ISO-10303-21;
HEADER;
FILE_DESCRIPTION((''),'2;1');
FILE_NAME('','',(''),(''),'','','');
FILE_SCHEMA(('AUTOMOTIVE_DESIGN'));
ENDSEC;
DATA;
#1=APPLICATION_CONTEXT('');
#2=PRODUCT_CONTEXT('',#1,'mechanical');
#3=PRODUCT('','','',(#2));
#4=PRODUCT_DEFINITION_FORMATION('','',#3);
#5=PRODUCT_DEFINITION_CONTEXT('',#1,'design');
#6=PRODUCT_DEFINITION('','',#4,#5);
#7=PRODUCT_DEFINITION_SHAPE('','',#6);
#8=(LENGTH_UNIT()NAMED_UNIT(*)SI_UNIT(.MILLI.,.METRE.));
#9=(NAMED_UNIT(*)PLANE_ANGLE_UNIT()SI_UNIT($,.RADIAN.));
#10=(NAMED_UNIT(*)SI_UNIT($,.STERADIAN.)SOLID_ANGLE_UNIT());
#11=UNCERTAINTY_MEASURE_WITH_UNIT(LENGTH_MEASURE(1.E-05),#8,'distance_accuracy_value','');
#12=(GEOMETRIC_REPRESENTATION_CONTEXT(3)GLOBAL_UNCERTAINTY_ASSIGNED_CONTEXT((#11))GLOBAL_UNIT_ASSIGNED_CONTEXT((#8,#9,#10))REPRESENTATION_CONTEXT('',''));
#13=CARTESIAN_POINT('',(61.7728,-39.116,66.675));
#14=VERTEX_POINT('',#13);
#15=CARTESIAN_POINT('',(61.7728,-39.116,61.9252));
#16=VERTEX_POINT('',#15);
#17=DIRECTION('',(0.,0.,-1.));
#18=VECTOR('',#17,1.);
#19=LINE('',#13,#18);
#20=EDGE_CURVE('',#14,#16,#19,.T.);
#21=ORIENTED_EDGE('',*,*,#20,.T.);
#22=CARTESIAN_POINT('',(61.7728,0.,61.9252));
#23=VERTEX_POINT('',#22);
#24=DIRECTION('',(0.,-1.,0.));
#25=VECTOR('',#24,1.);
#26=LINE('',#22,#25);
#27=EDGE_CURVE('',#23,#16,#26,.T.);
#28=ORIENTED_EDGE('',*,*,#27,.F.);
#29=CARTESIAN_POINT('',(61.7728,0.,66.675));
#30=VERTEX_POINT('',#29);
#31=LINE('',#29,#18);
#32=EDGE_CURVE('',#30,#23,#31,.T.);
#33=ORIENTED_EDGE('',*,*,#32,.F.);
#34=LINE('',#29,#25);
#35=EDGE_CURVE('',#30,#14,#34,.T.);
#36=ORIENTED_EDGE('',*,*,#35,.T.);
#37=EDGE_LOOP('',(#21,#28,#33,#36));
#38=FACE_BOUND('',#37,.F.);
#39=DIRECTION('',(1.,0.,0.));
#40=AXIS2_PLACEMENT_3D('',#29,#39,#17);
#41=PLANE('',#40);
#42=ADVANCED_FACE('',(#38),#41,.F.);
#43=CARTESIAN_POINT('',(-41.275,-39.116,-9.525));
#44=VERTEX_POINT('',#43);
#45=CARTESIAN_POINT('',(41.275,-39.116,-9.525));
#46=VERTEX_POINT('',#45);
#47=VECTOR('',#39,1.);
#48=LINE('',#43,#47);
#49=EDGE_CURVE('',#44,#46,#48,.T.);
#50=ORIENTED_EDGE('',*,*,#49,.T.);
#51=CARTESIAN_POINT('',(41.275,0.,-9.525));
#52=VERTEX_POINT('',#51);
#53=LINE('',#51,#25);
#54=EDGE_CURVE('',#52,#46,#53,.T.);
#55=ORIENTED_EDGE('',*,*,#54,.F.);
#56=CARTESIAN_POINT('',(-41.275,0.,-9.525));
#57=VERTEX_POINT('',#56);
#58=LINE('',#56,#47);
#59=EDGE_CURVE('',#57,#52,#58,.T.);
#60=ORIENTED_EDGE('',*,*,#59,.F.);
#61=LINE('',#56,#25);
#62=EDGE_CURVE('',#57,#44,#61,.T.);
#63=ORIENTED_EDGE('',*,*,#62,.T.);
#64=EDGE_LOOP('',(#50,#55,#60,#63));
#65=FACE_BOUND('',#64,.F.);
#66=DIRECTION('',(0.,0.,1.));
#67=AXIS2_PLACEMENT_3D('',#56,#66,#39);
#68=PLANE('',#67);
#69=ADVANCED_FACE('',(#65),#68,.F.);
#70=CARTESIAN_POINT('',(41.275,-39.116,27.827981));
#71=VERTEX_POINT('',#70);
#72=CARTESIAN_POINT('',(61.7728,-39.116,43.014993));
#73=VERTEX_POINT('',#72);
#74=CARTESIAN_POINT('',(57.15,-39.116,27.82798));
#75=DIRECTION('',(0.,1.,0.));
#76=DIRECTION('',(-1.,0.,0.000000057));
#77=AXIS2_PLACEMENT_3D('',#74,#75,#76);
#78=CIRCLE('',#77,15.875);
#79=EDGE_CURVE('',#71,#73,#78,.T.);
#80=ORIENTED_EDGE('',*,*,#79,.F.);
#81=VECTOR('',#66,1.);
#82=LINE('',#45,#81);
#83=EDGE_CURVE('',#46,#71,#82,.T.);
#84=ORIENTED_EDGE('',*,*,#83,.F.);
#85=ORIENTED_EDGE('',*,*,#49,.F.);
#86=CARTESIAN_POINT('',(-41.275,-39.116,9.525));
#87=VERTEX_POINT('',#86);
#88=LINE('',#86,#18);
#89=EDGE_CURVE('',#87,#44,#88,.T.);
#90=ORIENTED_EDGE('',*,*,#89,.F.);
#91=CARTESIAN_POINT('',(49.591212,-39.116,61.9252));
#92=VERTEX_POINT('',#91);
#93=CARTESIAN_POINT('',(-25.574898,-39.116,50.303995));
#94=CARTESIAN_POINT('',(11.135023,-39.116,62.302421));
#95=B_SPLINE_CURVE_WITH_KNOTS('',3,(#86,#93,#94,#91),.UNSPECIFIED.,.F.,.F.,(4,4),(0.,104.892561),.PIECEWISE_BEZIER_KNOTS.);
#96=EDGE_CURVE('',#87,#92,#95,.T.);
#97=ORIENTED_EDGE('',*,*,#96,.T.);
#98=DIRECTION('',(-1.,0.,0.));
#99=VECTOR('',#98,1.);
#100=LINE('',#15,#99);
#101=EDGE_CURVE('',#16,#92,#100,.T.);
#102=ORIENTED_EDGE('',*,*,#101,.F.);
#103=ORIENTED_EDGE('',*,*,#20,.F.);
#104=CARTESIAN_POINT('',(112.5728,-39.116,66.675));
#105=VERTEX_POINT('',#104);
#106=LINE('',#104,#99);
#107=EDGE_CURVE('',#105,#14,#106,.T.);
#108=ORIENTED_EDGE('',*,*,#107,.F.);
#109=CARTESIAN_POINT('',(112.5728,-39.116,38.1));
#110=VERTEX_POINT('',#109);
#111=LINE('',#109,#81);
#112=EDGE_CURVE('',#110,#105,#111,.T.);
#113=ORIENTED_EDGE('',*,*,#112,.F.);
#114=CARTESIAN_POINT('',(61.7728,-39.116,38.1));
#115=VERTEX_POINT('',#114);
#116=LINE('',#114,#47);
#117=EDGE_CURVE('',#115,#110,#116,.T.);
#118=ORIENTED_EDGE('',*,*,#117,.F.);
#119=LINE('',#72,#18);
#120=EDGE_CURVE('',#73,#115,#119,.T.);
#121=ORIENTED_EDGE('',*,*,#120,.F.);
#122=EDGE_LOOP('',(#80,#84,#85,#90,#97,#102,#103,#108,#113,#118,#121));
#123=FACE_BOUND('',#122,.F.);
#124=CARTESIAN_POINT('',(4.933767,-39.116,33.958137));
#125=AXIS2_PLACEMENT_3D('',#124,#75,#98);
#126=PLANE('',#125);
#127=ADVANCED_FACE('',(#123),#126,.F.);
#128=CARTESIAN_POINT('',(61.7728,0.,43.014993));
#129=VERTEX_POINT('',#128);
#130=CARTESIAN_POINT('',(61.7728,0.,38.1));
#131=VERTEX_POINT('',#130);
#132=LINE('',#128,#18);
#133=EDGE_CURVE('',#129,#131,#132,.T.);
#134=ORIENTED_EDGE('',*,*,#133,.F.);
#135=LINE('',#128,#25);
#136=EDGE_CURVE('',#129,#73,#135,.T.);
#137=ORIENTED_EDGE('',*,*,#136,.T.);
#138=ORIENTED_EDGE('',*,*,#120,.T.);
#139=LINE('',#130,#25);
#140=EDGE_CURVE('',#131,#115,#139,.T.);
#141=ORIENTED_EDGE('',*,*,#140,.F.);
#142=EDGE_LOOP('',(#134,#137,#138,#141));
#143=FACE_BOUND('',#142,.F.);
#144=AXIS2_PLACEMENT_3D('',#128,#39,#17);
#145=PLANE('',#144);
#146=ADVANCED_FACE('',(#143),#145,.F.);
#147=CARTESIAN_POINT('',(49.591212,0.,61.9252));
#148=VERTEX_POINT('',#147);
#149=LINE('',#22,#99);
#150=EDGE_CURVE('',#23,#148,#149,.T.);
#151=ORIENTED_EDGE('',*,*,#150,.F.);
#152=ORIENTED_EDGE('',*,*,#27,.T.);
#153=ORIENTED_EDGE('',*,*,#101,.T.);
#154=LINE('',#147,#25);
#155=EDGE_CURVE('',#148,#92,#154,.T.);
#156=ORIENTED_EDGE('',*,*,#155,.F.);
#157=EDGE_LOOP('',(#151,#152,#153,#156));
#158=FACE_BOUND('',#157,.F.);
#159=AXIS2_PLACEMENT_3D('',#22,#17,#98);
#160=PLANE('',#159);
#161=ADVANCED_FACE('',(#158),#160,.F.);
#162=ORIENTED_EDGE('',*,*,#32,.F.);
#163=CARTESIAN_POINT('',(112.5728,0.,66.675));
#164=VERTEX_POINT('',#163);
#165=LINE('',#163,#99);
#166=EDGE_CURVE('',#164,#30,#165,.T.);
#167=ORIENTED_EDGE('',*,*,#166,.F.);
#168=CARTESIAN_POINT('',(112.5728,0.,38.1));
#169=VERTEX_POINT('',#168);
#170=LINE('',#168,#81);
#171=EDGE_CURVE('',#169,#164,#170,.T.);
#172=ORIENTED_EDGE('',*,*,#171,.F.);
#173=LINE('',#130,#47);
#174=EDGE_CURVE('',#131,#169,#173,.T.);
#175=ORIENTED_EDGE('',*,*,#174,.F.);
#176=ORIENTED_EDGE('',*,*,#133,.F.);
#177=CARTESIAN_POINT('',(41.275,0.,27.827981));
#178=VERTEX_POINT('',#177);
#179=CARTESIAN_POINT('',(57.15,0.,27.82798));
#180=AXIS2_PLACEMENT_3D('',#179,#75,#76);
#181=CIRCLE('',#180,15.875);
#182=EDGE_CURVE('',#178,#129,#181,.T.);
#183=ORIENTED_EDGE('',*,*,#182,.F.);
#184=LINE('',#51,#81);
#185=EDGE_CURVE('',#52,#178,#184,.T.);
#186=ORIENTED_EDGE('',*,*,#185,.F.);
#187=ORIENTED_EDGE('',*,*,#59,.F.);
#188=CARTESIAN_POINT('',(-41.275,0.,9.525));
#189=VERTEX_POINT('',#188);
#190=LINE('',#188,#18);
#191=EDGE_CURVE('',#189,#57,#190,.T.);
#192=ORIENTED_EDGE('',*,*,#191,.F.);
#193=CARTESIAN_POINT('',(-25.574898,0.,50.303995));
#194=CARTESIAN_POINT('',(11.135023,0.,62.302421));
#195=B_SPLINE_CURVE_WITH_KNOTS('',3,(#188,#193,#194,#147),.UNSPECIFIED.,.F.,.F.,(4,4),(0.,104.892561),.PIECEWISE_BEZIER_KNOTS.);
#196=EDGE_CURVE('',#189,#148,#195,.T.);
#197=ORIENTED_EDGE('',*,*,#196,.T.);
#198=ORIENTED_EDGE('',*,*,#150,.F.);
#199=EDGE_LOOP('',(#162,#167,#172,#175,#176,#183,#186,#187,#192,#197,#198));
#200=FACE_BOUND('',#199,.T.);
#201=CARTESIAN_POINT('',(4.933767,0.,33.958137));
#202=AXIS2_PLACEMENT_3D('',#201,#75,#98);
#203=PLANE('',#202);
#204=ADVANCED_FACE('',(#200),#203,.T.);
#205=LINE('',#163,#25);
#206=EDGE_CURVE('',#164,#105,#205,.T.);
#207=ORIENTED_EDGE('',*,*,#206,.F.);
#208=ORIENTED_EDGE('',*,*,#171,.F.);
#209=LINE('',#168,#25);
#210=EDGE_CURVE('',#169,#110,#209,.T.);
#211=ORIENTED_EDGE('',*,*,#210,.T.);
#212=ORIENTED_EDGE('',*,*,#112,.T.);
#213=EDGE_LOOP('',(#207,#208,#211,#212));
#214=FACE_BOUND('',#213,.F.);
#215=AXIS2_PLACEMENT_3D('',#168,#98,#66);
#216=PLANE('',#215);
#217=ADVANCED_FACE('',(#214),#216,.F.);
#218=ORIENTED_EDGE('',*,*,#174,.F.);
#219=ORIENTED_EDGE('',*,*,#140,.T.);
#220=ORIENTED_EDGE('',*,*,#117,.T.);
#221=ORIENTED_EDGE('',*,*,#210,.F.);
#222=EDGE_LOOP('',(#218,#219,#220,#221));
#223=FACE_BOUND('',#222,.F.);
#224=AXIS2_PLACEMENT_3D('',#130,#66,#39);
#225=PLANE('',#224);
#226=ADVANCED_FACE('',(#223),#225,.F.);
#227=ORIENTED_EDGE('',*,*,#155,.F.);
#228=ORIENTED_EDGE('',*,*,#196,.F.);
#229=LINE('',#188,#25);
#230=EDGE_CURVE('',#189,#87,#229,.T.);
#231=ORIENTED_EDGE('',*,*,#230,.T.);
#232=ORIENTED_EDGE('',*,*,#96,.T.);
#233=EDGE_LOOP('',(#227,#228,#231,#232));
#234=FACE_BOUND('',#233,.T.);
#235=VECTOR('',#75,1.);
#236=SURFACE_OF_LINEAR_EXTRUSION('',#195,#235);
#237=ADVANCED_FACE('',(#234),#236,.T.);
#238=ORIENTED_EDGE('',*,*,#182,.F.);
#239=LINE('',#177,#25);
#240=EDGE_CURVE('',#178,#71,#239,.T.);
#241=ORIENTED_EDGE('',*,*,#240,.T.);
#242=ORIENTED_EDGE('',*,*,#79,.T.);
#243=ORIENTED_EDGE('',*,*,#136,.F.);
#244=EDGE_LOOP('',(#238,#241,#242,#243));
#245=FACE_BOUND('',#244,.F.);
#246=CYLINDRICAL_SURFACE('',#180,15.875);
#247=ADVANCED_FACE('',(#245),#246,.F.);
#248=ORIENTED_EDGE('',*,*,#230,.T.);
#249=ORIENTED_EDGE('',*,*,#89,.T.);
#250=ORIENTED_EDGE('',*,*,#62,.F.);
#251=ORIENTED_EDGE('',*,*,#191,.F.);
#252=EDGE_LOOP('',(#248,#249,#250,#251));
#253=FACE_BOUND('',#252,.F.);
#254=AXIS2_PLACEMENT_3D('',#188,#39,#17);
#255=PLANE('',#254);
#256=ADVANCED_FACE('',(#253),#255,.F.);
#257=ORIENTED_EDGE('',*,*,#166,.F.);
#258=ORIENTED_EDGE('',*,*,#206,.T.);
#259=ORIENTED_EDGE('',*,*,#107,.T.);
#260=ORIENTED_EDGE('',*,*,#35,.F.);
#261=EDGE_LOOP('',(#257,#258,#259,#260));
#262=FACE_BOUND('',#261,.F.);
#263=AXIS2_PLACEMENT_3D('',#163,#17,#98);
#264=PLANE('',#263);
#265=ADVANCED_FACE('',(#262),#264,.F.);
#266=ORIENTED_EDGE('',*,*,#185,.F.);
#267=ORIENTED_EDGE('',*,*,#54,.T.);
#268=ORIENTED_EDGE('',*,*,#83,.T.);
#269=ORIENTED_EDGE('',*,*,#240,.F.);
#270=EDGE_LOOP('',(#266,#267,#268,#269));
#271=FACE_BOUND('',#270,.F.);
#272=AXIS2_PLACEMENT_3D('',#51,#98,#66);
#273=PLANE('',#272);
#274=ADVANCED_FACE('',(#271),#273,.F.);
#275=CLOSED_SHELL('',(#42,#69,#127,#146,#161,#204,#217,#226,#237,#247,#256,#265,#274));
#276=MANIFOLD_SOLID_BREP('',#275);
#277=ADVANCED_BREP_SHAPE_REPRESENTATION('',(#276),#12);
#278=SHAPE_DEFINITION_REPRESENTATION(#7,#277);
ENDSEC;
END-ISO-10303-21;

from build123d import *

# Parameters (mm, degrees)
F1_DEPTH = 39.116


with BuildPart() as f1:
    # F0 (on Front) → F1 (new body)
    with BuildSketch(Plane.XZ):
        with BuildLine():
            add(Edge.make_bspline(
                [(-41.275, 9.525), (-25.574898, 50.303995), (11.135023, 62.302421), (49.591212, 61.9252)],
                knots=[0, 0, 0, 0, 104.892561, 104.892561, 104.892561, 104.892561], degree=3))
            Line((-41.275, 9.525), (22.225, 9.525))
            Line((22.225, 9.525), (22.225, 27.827981))
            ThreePointArc((22.225, 27.827981), (29.912652, 49.688504), (49.591212, 61.9252))
        make_face()
        Polygon((22.225, 9.525), (-41.275, 9.525), (-41.275, -9.525), (41.275, -9.525), (41.275, 9.525), align=None)
        with BuildLine():
            Line((22.225, 27.827981), (22.225, 9.525))
            Line((22.225, 9.525), (41.275, 9.525))
            Line((41.275, 9.525), (41.275, 27.827981))
            ThreePointArc((41.275, 27.827981), (47.699374, 40.583422), (61.7728, 43.014993))
            Line((61.7728, 43.014993), (61.7728, 61.9252))
            Line((61.7728, 61.9252), (49.591212, 61.9252))
            ThreePointArc((49.591212, 61.9252), (29.912652, 49.688504), (22.225, 27.827981))
        make_face()
        Polygon((61.7728, 66.675), (61.7728, 61.9252), (61.7728, 43.014993), (61.7728, 38.1), (112.5728, 38.1), (112.5728, 66.675), align=None)
    extrude(amount=F1_DEPTH)


solid = f1.part
